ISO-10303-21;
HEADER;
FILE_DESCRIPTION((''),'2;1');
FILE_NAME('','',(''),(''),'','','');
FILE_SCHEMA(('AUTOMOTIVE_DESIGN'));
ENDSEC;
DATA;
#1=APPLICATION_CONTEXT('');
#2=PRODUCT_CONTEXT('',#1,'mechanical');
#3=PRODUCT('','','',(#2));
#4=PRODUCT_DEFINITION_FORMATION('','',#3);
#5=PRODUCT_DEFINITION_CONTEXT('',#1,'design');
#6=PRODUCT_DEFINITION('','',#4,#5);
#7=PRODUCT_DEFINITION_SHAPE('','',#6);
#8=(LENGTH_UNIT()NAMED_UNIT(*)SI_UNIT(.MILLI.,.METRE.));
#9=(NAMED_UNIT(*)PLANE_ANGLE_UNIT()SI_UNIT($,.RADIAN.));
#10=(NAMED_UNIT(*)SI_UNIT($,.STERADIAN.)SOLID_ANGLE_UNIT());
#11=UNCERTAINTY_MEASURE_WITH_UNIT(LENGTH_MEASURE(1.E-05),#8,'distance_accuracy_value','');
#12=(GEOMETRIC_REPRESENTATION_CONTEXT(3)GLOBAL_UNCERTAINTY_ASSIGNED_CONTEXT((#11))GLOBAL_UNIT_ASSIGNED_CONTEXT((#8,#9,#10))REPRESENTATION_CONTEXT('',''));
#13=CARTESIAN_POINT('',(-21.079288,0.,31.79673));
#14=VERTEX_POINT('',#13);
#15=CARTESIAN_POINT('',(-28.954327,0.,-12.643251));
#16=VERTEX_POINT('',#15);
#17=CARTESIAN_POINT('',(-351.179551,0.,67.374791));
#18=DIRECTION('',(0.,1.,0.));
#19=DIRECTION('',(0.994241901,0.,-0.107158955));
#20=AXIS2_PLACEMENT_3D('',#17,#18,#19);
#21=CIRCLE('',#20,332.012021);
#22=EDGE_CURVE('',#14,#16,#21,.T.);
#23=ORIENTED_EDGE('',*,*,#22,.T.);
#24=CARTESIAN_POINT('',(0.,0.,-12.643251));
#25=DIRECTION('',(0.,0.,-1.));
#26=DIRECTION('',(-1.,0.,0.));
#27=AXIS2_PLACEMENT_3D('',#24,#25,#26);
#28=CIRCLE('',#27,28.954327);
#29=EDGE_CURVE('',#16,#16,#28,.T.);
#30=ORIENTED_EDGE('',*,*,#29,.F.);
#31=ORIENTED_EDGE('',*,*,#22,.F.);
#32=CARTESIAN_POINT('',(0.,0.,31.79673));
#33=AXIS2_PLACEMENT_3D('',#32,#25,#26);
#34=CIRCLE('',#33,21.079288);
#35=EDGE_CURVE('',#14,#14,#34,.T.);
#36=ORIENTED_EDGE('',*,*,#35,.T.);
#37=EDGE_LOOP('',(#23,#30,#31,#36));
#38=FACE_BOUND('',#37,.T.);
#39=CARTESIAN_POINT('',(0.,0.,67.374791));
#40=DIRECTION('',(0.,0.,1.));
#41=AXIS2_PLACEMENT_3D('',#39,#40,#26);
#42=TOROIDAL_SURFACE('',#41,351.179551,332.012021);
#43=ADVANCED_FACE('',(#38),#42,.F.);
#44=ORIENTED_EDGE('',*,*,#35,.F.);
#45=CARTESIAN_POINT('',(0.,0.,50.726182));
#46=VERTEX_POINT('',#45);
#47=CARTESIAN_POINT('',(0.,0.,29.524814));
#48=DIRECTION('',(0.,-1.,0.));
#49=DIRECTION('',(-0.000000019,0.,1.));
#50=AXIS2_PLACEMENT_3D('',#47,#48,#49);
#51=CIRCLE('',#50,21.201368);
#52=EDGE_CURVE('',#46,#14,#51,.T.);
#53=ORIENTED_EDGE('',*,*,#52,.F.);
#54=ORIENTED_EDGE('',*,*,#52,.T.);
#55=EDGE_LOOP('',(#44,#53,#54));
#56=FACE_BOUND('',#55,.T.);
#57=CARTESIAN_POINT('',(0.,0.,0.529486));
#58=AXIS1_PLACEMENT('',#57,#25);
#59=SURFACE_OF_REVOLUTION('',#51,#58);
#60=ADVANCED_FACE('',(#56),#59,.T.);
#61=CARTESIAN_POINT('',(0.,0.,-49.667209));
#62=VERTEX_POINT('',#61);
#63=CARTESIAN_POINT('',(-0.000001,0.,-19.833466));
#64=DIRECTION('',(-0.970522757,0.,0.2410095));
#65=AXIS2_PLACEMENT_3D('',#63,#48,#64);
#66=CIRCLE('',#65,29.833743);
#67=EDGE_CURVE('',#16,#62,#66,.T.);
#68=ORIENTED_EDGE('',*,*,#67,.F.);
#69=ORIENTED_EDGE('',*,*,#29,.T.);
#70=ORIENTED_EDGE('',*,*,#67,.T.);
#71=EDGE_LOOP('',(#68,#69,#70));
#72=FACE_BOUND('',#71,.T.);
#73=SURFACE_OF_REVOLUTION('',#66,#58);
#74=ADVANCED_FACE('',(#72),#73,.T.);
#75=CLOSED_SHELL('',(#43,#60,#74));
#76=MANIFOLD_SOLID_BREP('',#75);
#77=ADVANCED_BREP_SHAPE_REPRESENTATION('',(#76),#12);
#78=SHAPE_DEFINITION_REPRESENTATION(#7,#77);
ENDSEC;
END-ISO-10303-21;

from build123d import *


with BuildPart() as f1:
    # F0 (on Front) → F1 (revolve)
    with BuildSketch(Plane.XZ):
        with BuildLine():
            Line((0, -49.667209), (0, 50.726182))
            ThreePointArc((0, 50.726182), (-14.165632, 45.299251), (-21.079288, 31.79673))
            ThreePointArc((-21.079288, 31.79673), (-24.26081, 9.442772), (-28.954327, -12.643251))
            ThreePointArc((-28.954327, -12.643251), (-23.500673, -38.212003), (0, -49.667209))
        make_face()
    revolve(axis=Axis((0, 0, 0.529486), (0, 0, -1)))


solid = f1.part
